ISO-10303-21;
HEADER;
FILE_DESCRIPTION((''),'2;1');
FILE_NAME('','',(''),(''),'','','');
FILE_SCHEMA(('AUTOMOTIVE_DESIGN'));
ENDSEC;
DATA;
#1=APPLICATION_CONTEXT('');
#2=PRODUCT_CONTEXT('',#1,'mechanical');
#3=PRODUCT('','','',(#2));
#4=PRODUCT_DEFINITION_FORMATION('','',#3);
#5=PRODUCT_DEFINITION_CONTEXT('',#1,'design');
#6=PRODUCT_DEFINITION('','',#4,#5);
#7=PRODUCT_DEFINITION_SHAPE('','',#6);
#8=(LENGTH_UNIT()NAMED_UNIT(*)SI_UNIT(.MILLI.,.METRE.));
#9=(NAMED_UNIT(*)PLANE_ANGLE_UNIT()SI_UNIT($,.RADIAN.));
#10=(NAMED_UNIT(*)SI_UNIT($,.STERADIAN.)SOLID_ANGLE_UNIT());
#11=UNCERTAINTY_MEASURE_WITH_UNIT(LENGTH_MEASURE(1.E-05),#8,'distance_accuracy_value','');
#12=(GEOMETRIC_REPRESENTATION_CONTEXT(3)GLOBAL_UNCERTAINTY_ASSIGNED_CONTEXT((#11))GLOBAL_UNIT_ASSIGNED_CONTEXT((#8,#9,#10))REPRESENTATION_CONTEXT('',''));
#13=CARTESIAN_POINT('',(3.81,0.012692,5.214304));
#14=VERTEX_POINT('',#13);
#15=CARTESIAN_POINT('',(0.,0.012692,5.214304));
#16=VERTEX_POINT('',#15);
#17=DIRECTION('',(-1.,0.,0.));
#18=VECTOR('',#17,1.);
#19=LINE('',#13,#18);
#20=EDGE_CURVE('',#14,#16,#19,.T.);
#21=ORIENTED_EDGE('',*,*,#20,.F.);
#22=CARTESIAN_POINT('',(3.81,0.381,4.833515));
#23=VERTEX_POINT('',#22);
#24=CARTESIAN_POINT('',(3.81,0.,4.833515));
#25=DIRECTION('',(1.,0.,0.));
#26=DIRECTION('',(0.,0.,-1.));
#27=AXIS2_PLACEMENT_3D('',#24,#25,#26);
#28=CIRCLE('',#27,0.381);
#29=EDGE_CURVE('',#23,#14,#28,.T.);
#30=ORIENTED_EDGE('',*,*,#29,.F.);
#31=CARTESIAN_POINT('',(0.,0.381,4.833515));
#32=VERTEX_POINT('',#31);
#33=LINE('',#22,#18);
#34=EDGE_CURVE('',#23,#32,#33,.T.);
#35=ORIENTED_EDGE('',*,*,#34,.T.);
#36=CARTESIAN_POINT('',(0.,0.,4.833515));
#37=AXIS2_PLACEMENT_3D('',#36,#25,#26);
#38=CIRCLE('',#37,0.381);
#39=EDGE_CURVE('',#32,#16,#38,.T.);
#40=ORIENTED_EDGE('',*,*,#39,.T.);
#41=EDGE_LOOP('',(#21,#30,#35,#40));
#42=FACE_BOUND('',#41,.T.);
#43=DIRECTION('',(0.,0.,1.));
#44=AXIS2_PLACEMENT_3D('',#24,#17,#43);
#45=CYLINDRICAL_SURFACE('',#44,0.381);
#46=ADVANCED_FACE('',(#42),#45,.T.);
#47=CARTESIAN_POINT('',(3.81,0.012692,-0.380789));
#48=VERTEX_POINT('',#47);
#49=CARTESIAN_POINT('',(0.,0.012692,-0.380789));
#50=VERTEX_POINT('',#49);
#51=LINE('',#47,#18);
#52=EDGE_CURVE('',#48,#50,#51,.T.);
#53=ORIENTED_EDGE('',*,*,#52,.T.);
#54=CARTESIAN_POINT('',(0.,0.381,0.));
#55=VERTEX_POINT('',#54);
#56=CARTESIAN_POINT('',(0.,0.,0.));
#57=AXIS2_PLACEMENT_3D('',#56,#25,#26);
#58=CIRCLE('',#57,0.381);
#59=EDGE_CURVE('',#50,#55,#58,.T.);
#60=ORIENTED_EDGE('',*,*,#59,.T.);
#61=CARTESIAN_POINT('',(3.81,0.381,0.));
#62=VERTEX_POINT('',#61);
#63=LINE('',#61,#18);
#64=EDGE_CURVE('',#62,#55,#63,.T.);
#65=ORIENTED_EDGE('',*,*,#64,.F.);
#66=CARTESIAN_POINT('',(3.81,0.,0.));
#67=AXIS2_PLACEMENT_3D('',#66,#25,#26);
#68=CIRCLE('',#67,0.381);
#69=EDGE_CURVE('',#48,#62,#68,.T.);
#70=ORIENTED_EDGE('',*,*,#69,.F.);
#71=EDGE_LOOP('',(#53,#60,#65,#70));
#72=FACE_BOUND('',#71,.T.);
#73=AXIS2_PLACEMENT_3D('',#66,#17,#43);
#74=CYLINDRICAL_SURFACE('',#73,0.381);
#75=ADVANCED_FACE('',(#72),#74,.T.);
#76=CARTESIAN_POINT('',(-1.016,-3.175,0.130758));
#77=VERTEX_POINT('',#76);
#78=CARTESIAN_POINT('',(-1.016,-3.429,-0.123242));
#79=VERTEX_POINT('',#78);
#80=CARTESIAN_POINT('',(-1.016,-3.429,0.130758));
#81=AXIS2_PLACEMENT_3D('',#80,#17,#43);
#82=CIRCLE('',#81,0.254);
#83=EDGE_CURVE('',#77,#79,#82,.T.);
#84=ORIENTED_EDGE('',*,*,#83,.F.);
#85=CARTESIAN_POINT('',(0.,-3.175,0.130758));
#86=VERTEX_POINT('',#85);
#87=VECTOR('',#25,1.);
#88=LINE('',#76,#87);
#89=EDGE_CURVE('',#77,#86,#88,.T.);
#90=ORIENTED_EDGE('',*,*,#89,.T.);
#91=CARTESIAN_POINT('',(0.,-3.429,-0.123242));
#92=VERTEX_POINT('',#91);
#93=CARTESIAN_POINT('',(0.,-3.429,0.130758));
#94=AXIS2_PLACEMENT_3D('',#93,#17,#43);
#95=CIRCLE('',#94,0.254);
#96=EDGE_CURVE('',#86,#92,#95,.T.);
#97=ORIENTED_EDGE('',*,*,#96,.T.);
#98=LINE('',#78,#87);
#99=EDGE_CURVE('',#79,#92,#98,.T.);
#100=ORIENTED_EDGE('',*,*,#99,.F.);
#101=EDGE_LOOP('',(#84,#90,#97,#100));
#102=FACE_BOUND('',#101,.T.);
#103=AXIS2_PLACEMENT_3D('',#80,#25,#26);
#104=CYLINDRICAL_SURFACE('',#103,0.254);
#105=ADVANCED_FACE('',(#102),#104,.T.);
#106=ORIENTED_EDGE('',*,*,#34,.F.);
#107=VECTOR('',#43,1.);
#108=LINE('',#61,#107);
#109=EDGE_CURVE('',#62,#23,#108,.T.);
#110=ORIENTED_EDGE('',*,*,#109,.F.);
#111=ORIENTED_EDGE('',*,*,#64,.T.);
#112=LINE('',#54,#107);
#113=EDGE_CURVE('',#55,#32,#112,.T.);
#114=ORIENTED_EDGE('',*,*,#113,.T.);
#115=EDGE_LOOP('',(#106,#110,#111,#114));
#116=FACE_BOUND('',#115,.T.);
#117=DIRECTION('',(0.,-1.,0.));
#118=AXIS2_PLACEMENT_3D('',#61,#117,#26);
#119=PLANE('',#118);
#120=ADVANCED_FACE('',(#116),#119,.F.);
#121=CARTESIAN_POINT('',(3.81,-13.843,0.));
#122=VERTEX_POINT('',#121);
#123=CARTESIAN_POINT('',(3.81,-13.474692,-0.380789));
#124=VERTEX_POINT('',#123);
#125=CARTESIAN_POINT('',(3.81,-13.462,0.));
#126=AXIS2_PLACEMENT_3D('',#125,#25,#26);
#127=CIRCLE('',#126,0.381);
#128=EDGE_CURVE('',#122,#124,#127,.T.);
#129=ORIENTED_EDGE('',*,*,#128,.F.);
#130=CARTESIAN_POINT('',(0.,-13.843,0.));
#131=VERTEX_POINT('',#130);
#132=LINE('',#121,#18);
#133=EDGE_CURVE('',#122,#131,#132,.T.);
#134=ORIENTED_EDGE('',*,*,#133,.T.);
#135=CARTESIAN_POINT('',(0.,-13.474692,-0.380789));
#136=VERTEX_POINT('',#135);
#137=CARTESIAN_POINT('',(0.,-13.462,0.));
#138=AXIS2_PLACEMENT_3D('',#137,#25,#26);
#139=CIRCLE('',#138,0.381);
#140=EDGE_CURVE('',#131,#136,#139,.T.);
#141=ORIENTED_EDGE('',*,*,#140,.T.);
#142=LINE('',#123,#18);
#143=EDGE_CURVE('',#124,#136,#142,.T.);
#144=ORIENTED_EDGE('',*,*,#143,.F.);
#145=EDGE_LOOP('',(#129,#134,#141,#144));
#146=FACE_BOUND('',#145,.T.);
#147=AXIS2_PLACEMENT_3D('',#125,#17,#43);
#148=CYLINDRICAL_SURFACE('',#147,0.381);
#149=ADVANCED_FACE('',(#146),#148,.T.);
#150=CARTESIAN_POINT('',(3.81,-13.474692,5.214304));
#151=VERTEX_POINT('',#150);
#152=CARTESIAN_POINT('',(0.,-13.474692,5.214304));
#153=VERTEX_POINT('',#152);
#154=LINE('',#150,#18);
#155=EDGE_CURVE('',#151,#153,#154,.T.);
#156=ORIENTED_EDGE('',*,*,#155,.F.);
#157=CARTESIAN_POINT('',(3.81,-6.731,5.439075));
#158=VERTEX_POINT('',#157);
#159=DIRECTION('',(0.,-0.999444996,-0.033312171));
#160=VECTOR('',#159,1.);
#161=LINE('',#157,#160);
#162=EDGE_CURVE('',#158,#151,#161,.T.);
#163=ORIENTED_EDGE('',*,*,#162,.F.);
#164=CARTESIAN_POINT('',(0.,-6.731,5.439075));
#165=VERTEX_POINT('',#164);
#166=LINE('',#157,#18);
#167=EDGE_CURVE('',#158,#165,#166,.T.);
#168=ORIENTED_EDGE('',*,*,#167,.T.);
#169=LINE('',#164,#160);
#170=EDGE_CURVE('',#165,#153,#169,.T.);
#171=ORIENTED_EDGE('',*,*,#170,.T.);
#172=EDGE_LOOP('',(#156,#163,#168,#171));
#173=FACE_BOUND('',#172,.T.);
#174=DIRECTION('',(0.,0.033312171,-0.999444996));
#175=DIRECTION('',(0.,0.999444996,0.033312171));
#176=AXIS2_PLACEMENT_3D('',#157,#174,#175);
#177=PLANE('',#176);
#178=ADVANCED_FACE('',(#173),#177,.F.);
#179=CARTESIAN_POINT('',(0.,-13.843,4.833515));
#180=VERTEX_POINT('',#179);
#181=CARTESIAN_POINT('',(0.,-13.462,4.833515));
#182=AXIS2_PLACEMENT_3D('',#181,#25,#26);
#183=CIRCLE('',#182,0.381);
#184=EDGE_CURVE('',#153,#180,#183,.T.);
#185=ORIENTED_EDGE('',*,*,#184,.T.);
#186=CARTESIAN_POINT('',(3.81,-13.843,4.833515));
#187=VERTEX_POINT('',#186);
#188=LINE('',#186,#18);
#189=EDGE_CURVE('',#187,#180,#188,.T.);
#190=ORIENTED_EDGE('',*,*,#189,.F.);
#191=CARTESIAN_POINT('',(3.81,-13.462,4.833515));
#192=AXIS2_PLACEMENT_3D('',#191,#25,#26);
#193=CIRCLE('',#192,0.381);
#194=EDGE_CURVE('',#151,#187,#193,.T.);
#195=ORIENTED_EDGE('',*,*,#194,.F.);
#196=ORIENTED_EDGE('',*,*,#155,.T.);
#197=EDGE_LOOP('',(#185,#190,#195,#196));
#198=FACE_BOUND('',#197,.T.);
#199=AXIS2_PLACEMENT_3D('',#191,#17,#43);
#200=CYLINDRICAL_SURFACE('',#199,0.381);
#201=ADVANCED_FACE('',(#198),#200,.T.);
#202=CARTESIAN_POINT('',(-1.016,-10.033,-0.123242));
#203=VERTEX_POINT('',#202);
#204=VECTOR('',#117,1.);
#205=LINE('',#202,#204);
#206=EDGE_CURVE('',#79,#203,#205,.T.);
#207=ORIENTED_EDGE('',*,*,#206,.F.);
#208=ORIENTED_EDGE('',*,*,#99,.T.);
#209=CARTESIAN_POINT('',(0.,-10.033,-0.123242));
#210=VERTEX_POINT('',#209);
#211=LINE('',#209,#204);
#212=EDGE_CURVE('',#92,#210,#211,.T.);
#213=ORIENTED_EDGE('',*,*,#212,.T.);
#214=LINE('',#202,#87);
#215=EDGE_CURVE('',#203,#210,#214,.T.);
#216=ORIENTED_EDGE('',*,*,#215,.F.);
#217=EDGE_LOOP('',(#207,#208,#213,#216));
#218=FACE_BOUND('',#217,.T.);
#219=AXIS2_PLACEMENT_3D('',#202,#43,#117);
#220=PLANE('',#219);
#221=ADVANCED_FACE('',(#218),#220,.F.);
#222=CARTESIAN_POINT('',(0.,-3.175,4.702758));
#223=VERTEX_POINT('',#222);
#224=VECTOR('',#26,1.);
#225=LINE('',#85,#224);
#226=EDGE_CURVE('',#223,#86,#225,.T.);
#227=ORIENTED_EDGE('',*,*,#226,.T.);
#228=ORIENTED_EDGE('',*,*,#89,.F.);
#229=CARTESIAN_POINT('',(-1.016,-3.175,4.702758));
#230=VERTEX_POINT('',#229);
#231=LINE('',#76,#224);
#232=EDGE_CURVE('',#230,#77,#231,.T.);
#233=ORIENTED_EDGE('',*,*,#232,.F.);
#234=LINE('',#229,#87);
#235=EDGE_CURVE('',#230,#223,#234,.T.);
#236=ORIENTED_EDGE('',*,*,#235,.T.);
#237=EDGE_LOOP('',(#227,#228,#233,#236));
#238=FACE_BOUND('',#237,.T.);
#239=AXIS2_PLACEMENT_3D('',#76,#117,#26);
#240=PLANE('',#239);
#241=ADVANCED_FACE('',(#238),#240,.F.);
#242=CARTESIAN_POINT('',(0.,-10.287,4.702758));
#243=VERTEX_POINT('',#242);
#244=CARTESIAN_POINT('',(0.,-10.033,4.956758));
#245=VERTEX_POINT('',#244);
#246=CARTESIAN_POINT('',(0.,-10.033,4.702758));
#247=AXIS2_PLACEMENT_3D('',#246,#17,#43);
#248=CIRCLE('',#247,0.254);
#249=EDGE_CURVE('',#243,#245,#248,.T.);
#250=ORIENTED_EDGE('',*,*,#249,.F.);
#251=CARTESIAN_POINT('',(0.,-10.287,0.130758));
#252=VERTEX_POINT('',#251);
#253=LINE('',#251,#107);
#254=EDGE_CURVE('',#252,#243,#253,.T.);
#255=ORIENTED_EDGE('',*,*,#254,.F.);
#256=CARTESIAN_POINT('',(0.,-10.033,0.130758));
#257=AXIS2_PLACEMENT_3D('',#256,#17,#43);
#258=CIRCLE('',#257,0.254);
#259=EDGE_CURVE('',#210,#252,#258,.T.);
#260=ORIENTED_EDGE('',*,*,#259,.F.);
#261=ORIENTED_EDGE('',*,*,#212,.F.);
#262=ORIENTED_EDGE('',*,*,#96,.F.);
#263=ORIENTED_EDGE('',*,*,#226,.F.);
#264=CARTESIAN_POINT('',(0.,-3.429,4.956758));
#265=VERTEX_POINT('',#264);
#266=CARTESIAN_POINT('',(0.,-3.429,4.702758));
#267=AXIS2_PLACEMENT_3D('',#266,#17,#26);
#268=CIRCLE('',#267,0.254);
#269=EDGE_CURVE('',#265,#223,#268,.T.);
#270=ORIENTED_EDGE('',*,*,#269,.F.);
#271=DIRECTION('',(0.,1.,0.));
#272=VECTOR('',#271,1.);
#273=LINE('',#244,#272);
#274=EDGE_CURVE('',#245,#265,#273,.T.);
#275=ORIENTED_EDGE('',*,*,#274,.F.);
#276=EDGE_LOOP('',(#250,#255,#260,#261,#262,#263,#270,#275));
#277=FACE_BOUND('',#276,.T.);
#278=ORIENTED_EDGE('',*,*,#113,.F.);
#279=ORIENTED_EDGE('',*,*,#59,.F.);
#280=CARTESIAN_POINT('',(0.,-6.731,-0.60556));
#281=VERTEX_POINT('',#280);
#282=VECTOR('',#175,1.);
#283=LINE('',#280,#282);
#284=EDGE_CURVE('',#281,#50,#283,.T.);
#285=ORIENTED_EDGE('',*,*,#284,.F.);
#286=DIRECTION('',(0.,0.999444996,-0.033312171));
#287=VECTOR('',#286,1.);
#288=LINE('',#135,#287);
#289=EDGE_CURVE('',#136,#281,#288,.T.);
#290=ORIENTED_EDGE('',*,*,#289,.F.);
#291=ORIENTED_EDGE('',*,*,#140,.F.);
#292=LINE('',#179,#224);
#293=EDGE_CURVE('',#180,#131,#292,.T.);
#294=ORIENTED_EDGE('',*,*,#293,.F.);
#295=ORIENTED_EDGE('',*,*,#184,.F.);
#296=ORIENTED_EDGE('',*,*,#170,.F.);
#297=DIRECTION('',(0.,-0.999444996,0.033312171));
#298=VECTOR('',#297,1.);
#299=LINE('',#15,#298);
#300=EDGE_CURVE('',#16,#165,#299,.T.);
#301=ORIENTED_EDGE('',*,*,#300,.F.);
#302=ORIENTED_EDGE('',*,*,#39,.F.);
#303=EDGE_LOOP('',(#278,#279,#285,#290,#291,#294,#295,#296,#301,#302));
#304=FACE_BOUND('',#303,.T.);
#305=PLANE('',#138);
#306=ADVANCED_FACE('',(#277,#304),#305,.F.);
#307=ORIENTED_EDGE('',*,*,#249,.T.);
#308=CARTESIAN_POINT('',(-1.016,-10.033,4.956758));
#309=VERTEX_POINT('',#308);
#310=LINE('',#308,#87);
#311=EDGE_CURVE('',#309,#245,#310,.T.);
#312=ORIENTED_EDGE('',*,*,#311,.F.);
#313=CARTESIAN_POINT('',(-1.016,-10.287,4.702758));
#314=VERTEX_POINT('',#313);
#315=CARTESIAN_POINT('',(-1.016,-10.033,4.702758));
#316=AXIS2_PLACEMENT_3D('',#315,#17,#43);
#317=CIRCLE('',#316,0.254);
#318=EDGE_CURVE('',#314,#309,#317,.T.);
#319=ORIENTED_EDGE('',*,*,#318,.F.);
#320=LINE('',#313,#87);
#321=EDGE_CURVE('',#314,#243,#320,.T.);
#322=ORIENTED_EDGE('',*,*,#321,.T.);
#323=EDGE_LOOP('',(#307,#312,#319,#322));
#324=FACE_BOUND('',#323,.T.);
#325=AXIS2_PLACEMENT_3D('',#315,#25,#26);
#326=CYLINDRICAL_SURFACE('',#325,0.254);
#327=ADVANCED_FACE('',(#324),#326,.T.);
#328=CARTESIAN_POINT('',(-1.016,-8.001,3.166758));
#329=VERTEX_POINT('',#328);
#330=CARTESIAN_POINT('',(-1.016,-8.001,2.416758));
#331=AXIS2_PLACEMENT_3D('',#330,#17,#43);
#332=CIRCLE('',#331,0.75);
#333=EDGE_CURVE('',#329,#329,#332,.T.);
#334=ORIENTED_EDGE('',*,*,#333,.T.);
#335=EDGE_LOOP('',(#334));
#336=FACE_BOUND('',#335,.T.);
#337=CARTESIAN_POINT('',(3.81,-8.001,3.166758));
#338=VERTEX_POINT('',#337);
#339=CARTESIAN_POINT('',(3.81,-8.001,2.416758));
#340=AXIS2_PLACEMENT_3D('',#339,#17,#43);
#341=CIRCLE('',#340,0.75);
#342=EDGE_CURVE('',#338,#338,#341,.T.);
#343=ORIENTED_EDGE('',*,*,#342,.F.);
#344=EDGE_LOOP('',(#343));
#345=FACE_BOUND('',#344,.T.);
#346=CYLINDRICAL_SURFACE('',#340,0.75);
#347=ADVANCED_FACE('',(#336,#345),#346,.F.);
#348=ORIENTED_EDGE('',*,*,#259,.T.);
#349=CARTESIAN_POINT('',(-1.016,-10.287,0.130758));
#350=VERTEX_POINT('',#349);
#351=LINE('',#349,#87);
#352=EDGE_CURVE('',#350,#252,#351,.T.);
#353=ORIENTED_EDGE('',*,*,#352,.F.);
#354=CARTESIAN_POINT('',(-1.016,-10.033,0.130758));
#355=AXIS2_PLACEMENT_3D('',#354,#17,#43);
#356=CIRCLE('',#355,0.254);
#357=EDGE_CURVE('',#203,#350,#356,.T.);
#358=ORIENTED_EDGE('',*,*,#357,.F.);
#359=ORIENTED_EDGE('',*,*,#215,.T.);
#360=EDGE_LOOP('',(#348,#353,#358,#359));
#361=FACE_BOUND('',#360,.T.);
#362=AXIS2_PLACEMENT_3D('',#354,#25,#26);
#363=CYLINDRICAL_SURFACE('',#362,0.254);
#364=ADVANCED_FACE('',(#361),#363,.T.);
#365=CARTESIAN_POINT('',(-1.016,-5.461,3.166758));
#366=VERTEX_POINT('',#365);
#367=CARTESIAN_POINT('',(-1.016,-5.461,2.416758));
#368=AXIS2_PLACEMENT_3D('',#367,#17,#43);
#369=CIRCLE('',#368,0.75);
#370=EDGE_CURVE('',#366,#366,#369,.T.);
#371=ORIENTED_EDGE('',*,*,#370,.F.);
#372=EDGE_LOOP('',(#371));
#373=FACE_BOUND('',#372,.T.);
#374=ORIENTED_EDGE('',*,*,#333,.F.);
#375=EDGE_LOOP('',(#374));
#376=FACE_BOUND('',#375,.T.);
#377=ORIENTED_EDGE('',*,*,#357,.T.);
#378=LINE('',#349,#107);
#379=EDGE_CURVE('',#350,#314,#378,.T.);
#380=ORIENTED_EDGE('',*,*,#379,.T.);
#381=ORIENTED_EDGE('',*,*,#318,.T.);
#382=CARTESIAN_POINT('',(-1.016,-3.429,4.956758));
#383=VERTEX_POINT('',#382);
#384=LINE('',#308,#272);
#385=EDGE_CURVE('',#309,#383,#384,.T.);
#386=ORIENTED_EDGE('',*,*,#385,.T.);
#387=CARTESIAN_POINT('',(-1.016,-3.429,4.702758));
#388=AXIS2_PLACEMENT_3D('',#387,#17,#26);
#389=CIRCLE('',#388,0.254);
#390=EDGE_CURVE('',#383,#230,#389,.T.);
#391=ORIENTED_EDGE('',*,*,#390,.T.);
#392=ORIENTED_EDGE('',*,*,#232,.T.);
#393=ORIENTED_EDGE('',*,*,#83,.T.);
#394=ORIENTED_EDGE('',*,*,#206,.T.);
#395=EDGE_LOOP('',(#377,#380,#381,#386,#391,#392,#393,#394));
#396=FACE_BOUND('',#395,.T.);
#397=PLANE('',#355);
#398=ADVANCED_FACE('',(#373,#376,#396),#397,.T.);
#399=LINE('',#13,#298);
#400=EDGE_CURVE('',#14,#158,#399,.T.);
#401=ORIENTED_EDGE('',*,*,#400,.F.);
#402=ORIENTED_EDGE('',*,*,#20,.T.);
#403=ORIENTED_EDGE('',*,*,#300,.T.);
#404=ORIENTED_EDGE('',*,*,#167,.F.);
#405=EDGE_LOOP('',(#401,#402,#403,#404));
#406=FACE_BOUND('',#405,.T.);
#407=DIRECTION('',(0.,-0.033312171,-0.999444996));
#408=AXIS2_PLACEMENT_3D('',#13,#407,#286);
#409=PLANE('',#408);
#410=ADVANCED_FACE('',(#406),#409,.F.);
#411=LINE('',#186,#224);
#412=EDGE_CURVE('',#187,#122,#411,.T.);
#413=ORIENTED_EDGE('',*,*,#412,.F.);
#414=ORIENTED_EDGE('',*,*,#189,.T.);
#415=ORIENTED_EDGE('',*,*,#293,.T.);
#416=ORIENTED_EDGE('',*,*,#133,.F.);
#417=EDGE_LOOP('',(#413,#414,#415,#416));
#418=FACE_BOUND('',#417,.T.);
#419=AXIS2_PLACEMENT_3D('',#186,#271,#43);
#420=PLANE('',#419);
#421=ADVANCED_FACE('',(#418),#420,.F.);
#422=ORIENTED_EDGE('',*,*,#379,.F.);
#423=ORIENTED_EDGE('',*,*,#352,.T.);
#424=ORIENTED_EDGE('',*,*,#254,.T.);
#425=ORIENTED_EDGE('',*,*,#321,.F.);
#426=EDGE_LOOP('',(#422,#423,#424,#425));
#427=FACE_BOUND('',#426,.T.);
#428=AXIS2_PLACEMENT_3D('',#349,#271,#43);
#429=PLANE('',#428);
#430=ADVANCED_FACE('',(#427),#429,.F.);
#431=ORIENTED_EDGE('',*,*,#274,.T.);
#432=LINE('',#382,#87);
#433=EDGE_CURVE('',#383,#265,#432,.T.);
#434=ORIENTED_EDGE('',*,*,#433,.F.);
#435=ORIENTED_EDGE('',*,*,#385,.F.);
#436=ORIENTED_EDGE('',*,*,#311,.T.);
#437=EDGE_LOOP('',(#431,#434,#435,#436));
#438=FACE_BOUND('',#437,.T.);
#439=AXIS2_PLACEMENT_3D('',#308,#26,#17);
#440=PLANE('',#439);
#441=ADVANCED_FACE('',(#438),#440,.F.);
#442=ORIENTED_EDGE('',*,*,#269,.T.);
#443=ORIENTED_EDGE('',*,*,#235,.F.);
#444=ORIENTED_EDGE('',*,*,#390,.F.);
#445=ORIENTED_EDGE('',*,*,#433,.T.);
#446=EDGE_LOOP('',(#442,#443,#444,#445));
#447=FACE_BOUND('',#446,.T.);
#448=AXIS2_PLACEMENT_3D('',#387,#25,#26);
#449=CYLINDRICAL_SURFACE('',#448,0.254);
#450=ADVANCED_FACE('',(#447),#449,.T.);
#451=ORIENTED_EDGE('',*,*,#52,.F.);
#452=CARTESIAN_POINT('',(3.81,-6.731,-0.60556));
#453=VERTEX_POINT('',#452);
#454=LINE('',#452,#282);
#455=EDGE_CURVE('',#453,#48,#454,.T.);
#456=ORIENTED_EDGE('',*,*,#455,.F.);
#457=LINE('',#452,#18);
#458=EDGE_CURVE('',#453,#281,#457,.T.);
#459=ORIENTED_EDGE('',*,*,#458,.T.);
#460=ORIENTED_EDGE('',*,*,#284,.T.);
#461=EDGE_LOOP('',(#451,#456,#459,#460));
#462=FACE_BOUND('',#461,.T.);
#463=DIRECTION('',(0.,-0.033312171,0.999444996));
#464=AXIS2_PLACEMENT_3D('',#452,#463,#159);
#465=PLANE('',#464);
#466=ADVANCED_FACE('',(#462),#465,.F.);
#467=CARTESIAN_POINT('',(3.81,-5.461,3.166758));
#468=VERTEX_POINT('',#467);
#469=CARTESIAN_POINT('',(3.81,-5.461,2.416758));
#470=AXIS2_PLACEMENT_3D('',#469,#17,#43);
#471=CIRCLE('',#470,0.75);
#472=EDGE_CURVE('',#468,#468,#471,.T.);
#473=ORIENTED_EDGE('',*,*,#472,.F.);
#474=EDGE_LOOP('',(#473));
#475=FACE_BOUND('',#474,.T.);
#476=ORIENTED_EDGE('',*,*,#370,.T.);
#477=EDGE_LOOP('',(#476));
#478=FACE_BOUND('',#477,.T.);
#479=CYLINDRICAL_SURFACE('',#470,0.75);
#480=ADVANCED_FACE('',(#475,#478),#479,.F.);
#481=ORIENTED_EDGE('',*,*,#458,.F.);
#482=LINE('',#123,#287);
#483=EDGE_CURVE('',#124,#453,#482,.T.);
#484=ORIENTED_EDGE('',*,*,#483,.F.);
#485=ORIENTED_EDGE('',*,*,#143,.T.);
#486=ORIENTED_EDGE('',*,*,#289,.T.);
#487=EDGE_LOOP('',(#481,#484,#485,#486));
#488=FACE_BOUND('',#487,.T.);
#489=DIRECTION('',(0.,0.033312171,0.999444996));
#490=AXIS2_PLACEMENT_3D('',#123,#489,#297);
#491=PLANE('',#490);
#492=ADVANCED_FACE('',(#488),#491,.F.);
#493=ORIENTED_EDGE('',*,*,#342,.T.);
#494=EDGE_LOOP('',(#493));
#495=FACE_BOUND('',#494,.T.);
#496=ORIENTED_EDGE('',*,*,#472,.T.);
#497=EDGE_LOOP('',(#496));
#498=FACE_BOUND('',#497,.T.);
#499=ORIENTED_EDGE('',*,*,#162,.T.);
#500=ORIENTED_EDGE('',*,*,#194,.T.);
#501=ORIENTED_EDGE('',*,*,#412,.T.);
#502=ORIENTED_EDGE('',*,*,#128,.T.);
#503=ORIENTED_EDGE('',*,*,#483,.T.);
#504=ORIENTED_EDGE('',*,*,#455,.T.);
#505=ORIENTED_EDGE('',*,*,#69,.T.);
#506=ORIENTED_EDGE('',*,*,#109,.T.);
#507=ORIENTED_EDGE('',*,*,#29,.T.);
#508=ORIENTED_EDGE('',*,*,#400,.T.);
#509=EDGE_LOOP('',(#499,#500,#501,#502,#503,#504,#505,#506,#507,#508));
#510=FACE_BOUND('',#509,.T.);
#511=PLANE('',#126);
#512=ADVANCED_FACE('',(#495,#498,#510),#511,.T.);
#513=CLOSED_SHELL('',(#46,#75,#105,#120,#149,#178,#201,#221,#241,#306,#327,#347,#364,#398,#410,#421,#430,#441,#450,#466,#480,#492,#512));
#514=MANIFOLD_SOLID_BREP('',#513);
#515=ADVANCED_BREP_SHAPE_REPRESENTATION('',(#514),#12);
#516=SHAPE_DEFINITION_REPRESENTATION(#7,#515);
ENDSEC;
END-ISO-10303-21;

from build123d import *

# Parameters (mm, degrees)
BOSS_EXTRUDE1_DEPTH     = 3.81
BOSS_EXTRUDE2_DEPTH     = 1.016
CUT_EXTRUDE1_DEPTH      = 16.636574662
CUT_EXTRUDE1_DEPTH_BACK = 16.636574662
SKETCH6_R               = 0.75


with BuildPart() as part:
    # Sketch1 → Boss-Extrude1 (new body)
    with BuildSketch(Plane(origin=(0, 0, 0), x_dir=(0, 0, -1), z_dir=(1, 0, 0))):
        with BuildLine():
            Line((0.380788543, -13.474691937), (0.605560313, -6.731))
            Line((0.605560313, -6.731), (0.380788543, 0.012691937))
            ThreePointArc((0.380788543, 0.012691937), (0.2648824, 0.273858201), (0, 0.381))
            Line((0, 0.381), (-4.833515176, 0.381))
            ThreePointArc((-4.833515176, 0.381), (-5.098397576, 0.273858201), (-5.214303719, 0.012691937))
            Line((-5.214303719, 0.012691937), (-5.439075489, -6.731))
            Line((-5.439075489, -6.731), (-5.214303719, -13.474691937))
            ThreePointArc((-5.214303719, -13.474691937), (-5.098397576, -13.735858201), (-4.833515176, -13.843))
            Line((-4.833515176, -13.843), (0, -13.843))
            ThreePointArc((0, -13.843), (0.2648824, -13.735858201), (0.380788543, -13.474691937))
        make_face()
    extrude(amount=BOSS_EXTRUDE1_DEPTH)

    # Sketch5 → Boss-Extrude2 (add)
    with BuildSketch(Plane.ZY):
        with BuildLine():
            Line((0.130757588, -10.287), (4.702757588, -10.287))
            ThreePointArc((4.702757588, -10.287), (4.88236271, -10.212605122), (4.956757588, -10.033))
            Line((4.956757588, -10.033), (4.956757588, -3.429))
            ThreePointArc((4.956757588, -3.429), (4.88236271, -3.249394878), (4.702757588, -3.175))
            Line((4.702757588, -3.175), (0.130757588, -3.175))
            ThreePointArc((0.130757588, -3.175), (-0.048847535, -3.249394878), (-0.123242412, -3.429))
            Line((-0.123242412, -3.429), (-0.123242412, -10.033))
            ThreePointArc((-0.123242412, -10.033), (-0.048847535, -10.212605122), (0.130757588, -10.287))
        make_face()
    extrude(amount=BOSS_EXTRUDE2_DEPTH)

    # Sketch6 → Cut-Extrude1 (cut, two sides: drawn at the far end of the back side and taken through both)
    with BuildSketch(Plane.ZY.offset(1.016).offset(-CUT_EXTRUDE1_DEPTH_BACK)):
        with Locations((2.416757588, -5.461)):
            Circle(SKETCH6_R)
        with Locations((2.416757588, -8.001)):
            Circle(SKETCH6_R)
    extrude(amount=CUT_EXTRUDE1_DEPTH + CUT_EXTRUDE1_DEPTH_BACK, mode=Mode.SUBTRACT)


solid = part.part
